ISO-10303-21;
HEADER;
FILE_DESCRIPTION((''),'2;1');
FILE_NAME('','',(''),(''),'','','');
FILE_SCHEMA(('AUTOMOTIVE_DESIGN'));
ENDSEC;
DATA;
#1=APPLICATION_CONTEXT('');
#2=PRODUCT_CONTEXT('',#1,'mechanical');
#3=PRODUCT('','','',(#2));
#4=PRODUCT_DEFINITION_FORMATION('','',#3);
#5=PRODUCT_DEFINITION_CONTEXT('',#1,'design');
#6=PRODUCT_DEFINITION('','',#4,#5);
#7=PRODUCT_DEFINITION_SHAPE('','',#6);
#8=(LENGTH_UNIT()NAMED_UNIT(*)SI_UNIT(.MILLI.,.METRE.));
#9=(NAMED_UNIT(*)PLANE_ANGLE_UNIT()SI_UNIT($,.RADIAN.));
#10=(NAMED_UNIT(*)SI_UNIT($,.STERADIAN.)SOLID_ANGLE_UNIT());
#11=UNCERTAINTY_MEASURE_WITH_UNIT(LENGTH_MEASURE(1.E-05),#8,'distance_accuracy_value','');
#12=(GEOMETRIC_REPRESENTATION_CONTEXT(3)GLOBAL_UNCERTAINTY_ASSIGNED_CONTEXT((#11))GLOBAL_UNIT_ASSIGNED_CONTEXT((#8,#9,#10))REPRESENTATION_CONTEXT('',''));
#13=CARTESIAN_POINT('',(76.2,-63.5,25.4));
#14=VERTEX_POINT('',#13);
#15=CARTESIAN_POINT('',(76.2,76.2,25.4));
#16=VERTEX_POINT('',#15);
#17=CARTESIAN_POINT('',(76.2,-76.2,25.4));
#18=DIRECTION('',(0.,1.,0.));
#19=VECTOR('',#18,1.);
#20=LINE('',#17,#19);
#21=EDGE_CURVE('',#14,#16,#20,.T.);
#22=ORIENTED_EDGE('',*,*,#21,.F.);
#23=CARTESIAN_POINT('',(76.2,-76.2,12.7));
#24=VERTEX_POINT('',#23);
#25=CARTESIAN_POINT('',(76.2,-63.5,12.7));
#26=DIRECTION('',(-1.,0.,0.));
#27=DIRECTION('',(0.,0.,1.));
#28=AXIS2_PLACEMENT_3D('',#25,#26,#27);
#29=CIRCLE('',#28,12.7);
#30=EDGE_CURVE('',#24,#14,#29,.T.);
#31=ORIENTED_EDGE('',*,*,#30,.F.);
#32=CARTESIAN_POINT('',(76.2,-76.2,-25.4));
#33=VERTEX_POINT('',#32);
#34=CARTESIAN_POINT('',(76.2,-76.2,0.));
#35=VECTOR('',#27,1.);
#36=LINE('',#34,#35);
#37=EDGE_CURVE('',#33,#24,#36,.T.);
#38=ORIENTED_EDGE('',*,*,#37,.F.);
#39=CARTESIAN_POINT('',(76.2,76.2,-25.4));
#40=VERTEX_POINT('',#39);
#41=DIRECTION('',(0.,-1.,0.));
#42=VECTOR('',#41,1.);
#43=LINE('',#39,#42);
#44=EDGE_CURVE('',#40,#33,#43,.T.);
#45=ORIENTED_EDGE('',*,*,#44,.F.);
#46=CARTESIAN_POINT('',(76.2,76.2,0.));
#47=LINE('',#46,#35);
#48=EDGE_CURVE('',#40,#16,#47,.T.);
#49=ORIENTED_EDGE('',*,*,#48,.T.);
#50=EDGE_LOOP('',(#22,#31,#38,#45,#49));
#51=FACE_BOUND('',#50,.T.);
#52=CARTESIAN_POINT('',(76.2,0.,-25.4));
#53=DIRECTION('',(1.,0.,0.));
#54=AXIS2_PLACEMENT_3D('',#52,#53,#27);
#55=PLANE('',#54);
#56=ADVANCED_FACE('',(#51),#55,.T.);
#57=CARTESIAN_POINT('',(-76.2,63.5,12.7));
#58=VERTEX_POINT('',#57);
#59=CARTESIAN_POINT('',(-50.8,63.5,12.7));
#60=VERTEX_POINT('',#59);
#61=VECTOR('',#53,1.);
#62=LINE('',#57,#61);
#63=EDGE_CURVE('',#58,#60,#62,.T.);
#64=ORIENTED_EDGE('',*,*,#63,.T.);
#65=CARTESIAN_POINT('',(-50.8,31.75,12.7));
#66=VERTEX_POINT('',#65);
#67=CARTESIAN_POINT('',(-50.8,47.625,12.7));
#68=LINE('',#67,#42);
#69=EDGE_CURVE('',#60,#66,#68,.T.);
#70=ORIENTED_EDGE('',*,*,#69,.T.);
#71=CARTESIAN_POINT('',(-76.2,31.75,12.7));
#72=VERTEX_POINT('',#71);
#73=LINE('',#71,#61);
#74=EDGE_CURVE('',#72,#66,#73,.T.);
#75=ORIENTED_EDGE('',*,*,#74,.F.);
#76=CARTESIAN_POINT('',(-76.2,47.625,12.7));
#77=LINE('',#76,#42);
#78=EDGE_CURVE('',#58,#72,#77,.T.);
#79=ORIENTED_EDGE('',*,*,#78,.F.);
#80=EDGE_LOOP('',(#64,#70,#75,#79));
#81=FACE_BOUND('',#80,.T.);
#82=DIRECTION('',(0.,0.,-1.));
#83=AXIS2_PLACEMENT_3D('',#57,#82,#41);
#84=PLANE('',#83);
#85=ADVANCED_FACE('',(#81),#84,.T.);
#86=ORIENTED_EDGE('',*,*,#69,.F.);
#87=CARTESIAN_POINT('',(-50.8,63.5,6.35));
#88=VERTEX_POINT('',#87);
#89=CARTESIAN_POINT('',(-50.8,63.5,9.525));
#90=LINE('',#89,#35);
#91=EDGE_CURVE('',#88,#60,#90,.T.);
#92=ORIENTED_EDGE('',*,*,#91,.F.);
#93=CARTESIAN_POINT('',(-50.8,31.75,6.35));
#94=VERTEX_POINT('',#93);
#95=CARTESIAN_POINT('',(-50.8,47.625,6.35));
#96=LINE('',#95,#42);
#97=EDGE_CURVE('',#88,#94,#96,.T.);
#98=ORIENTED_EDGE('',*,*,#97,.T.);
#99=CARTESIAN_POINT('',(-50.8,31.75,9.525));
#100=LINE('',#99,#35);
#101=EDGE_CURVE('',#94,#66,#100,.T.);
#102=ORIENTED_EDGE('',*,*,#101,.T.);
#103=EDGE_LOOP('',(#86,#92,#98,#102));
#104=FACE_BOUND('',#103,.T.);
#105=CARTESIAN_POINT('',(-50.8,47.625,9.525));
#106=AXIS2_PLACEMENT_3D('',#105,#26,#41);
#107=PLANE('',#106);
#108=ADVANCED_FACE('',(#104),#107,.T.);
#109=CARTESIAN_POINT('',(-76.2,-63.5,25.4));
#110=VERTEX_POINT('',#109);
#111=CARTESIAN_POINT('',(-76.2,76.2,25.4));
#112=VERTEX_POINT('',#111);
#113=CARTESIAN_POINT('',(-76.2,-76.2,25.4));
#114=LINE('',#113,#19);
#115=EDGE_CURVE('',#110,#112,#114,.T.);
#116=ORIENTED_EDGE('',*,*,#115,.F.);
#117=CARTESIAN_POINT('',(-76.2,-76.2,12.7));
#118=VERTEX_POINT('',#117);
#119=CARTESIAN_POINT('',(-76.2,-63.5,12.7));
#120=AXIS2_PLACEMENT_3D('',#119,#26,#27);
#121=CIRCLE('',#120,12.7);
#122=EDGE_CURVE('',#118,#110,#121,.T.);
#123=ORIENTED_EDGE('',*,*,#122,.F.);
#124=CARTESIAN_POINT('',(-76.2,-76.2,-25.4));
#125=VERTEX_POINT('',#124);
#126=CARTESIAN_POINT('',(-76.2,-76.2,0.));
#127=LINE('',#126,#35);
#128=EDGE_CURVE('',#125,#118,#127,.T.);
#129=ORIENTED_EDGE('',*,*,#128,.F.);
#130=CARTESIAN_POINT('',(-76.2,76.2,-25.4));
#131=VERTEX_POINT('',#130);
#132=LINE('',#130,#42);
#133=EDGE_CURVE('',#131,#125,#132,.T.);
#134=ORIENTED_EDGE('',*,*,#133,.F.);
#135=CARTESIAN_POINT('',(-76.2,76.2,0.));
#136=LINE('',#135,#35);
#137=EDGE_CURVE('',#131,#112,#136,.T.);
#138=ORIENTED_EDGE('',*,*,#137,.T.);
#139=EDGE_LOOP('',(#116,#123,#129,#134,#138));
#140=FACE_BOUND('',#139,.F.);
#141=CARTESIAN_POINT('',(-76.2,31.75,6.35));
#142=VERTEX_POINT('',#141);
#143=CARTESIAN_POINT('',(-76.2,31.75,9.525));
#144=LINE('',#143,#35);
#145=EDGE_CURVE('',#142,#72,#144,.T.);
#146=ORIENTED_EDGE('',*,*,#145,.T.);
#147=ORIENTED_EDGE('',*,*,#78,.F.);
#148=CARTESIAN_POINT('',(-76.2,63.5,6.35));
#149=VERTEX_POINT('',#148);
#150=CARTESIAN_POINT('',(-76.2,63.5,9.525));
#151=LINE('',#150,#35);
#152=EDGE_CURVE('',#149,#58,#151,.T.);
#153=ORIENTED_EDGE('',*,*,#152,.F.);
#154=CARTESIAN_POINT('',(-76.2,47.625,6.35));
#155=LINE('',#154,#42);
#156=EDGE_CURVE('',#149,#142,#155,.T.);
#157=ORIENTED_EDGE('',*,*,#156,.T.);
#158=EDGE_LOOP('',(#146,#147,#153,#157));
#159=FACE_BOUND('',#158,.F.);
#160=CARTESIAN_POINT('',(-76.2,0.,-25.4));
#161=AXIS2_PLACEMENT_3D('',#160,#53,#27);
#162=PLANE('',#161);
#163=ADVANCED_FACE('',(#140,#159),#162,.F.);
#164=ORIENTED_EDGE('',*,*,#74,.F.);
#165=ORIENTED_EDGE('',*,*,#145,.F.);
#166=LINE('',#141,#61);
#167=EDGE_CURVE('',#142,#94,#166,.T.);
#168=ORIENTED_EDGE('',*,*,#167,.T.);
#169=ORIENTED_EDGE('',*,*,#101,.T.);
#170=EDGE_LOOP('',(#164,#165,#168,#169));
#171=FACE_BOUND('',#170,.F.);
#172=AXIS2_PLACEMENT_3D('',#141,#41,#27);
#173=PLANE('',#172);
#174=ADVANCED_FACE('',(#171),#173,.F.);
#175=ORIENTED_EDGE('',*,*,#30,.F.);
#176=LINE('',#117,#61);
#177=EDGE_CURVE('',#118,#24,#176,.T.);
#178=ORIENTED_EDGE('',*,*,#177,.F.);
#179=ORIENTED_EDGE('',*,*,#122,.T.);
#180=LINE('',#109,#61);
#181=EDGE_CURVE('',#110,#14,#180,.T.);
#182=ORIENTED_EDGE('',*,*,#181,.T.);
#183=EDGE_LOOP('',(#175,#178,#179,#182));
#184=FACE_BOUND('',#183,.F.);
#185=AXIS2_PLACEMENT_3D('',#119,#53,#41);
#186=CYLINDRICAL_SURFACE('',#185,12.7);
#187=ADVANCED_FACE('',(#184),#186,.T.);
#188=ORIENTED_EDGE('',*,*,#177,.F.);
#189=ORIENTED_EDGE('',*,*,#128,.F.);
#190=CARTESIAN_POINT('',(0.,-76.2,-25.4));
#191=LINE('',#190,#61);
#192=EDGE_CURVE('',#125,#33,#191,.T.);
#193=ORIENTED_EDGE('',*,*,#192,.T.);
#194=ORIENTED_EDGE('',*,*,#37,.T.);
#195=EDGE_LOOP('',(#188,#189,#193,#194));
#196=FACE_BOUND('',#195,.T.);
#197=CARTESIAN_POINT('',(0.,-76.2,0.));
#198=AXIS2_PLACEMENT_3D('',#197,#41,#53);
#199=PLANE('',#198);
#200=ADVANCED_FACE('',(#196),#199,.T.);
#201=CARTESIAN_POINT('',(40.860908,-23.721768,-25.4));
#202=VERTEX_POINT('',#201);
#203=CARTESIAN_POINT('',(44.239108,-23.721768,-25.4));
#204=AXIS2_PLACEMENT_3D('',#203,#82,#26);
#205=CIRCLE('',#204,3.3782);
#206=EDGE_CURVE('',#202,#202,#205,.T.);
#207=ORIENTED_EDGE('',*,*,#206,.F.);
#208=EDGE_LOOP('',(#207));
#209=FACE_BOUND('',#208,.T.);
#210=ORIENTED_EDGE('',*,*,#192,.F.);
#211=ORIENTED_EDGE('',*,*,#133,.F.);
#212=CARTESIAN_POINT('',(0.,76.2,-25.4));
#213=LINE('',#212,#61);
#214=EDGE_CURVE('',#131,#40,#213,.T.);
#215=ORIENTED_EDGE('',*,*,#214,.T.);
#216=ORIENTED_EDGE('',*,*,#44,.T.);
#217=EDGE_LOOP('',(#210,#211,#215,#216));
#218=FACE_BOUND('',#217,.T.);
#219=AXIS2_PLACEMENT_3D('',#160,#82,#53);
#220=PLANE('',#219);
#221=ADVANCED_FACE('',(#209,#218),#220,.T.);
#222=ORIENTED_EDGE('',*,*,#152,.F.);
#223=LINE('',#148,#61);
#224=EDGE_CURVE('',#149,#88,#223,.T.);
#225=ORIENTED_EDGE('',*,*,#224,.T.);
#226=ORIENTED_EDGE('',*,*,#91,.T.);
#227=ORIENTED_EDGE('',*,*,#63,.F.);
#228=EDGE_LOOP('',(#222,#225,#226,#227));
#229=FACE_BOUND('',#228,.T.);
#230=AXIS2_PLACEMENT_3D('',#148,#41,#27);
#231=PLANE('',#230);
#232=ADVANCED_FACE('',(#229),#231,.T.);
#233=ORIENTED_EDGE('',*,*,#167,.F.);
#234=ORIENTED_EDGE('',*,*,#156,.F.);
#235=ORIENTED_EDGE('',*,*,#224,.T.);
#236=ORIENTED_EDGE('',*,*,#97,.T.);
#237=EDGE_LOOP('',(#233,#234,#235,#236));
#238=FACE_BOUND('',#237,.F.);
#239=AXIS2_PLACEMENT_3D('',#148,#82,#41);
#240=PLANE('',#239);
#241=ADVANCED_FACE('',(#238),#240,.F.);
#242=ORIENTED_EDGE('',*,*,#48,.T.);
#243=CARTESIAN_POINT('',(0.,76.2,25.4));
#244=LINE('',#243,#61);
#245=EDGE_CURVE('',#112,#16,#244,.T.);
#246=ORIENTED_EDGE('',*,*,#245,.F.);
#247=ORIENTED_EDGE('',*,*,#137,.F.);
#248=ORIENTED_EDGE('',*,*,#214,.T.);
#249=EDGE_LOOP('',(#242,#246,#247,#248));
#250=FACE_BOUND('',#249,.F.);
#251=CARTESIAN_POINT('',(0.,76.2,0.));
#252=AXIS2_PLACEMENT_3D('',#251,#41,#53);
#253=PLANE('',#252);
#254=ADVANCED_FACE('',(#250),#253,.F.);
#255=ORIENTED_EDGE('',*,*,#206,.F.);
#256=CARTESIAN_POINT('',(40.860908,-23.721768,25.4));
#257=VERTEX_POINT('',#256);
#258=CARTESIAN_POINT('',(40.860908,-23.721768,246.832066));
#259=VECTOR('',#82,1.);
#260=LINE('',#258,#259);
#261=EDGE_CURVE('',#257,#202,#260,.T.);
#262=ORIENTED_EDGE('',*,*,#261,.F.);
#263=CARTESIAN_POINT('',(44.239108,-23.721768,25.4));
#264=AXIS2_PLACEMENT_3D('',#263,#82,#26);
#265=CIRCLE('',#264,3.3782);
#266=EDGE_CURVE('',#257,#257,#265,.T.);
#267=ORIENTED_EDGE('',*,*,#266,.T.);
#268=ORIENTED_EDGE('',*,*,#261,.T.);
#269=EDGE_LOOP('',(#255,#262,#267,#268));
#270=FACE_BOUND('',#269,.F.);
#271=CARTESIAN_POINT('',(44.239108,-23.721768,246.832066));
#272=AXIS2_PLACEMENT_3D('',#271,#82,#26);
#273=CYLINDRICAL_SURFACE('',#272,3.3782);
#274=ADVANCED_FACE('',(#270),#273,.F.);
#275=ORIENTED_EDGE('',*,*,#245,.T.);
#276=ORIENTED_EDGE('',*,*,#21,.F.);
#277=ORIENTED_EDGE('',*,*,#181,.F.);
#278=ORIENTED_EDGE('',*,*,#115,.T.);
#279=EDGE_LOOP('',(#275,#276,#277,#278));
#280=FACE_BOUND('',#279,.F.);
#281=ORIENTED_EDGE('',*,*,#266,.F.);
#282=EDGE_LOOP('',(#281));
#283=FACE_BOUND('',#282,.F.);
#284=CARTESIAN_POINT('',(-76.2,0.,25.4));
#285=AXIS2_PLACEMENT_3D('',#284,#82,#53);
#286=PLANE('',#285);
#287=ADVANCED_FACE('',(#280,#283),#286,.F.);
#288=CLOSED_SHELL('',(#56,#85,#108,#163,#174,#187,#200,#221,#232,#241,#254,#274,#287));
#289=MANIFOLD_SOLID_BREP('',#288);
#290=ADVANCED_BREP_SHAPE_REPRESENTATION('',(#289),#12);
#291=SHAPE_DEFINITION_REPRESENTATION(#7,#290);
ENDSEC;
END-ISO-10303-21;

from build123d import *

# Parameters (mm, degrees)
F0_W     = 152.4
F0_H     = 50.8
F1_DEPTH = 76.2
F2_R     = 12.7
F4_D     = 6.7564
F5_W     = 31.75
F5_H     = 6.35
F6_DEPTH = 25.4


with BuildPart() as f1:
    # F0 (on Front) → F1 (new body, symmetric)
    with BuildSketch(Plane.XZ):
        Rectangle(F0_W, F0_H)
    extrude(amount=F1_DEPTH, both=True)

    # F2
    f2_edges = [f1.edges().sort_by_distance(p)[0] for p in [
        (0, -76.2, 25.4),
    ]]
    fillet(f2_edges, radius=F2_R)

    # F4 (through all)
    with Locations(Plane.XY.offset(25.4)):
        with Locations((44.2391075194, -23.7217675894)):
            Hole(F4_D / 2)

    # F5 (on face) → F6 (cut)
    with BuildSketch(Plane(origin=(-76.2, 0, 0), x_dir=(0, -1, 0), z_dir=(-1, 0, 0))):
        with Locations((-47.625, 9.525)):
            Rectangle(F5_W, F5_H)
    extrude(amount=-F6_DEPTH, mode=Mode.SUBTRACT)


solid = f1.part
